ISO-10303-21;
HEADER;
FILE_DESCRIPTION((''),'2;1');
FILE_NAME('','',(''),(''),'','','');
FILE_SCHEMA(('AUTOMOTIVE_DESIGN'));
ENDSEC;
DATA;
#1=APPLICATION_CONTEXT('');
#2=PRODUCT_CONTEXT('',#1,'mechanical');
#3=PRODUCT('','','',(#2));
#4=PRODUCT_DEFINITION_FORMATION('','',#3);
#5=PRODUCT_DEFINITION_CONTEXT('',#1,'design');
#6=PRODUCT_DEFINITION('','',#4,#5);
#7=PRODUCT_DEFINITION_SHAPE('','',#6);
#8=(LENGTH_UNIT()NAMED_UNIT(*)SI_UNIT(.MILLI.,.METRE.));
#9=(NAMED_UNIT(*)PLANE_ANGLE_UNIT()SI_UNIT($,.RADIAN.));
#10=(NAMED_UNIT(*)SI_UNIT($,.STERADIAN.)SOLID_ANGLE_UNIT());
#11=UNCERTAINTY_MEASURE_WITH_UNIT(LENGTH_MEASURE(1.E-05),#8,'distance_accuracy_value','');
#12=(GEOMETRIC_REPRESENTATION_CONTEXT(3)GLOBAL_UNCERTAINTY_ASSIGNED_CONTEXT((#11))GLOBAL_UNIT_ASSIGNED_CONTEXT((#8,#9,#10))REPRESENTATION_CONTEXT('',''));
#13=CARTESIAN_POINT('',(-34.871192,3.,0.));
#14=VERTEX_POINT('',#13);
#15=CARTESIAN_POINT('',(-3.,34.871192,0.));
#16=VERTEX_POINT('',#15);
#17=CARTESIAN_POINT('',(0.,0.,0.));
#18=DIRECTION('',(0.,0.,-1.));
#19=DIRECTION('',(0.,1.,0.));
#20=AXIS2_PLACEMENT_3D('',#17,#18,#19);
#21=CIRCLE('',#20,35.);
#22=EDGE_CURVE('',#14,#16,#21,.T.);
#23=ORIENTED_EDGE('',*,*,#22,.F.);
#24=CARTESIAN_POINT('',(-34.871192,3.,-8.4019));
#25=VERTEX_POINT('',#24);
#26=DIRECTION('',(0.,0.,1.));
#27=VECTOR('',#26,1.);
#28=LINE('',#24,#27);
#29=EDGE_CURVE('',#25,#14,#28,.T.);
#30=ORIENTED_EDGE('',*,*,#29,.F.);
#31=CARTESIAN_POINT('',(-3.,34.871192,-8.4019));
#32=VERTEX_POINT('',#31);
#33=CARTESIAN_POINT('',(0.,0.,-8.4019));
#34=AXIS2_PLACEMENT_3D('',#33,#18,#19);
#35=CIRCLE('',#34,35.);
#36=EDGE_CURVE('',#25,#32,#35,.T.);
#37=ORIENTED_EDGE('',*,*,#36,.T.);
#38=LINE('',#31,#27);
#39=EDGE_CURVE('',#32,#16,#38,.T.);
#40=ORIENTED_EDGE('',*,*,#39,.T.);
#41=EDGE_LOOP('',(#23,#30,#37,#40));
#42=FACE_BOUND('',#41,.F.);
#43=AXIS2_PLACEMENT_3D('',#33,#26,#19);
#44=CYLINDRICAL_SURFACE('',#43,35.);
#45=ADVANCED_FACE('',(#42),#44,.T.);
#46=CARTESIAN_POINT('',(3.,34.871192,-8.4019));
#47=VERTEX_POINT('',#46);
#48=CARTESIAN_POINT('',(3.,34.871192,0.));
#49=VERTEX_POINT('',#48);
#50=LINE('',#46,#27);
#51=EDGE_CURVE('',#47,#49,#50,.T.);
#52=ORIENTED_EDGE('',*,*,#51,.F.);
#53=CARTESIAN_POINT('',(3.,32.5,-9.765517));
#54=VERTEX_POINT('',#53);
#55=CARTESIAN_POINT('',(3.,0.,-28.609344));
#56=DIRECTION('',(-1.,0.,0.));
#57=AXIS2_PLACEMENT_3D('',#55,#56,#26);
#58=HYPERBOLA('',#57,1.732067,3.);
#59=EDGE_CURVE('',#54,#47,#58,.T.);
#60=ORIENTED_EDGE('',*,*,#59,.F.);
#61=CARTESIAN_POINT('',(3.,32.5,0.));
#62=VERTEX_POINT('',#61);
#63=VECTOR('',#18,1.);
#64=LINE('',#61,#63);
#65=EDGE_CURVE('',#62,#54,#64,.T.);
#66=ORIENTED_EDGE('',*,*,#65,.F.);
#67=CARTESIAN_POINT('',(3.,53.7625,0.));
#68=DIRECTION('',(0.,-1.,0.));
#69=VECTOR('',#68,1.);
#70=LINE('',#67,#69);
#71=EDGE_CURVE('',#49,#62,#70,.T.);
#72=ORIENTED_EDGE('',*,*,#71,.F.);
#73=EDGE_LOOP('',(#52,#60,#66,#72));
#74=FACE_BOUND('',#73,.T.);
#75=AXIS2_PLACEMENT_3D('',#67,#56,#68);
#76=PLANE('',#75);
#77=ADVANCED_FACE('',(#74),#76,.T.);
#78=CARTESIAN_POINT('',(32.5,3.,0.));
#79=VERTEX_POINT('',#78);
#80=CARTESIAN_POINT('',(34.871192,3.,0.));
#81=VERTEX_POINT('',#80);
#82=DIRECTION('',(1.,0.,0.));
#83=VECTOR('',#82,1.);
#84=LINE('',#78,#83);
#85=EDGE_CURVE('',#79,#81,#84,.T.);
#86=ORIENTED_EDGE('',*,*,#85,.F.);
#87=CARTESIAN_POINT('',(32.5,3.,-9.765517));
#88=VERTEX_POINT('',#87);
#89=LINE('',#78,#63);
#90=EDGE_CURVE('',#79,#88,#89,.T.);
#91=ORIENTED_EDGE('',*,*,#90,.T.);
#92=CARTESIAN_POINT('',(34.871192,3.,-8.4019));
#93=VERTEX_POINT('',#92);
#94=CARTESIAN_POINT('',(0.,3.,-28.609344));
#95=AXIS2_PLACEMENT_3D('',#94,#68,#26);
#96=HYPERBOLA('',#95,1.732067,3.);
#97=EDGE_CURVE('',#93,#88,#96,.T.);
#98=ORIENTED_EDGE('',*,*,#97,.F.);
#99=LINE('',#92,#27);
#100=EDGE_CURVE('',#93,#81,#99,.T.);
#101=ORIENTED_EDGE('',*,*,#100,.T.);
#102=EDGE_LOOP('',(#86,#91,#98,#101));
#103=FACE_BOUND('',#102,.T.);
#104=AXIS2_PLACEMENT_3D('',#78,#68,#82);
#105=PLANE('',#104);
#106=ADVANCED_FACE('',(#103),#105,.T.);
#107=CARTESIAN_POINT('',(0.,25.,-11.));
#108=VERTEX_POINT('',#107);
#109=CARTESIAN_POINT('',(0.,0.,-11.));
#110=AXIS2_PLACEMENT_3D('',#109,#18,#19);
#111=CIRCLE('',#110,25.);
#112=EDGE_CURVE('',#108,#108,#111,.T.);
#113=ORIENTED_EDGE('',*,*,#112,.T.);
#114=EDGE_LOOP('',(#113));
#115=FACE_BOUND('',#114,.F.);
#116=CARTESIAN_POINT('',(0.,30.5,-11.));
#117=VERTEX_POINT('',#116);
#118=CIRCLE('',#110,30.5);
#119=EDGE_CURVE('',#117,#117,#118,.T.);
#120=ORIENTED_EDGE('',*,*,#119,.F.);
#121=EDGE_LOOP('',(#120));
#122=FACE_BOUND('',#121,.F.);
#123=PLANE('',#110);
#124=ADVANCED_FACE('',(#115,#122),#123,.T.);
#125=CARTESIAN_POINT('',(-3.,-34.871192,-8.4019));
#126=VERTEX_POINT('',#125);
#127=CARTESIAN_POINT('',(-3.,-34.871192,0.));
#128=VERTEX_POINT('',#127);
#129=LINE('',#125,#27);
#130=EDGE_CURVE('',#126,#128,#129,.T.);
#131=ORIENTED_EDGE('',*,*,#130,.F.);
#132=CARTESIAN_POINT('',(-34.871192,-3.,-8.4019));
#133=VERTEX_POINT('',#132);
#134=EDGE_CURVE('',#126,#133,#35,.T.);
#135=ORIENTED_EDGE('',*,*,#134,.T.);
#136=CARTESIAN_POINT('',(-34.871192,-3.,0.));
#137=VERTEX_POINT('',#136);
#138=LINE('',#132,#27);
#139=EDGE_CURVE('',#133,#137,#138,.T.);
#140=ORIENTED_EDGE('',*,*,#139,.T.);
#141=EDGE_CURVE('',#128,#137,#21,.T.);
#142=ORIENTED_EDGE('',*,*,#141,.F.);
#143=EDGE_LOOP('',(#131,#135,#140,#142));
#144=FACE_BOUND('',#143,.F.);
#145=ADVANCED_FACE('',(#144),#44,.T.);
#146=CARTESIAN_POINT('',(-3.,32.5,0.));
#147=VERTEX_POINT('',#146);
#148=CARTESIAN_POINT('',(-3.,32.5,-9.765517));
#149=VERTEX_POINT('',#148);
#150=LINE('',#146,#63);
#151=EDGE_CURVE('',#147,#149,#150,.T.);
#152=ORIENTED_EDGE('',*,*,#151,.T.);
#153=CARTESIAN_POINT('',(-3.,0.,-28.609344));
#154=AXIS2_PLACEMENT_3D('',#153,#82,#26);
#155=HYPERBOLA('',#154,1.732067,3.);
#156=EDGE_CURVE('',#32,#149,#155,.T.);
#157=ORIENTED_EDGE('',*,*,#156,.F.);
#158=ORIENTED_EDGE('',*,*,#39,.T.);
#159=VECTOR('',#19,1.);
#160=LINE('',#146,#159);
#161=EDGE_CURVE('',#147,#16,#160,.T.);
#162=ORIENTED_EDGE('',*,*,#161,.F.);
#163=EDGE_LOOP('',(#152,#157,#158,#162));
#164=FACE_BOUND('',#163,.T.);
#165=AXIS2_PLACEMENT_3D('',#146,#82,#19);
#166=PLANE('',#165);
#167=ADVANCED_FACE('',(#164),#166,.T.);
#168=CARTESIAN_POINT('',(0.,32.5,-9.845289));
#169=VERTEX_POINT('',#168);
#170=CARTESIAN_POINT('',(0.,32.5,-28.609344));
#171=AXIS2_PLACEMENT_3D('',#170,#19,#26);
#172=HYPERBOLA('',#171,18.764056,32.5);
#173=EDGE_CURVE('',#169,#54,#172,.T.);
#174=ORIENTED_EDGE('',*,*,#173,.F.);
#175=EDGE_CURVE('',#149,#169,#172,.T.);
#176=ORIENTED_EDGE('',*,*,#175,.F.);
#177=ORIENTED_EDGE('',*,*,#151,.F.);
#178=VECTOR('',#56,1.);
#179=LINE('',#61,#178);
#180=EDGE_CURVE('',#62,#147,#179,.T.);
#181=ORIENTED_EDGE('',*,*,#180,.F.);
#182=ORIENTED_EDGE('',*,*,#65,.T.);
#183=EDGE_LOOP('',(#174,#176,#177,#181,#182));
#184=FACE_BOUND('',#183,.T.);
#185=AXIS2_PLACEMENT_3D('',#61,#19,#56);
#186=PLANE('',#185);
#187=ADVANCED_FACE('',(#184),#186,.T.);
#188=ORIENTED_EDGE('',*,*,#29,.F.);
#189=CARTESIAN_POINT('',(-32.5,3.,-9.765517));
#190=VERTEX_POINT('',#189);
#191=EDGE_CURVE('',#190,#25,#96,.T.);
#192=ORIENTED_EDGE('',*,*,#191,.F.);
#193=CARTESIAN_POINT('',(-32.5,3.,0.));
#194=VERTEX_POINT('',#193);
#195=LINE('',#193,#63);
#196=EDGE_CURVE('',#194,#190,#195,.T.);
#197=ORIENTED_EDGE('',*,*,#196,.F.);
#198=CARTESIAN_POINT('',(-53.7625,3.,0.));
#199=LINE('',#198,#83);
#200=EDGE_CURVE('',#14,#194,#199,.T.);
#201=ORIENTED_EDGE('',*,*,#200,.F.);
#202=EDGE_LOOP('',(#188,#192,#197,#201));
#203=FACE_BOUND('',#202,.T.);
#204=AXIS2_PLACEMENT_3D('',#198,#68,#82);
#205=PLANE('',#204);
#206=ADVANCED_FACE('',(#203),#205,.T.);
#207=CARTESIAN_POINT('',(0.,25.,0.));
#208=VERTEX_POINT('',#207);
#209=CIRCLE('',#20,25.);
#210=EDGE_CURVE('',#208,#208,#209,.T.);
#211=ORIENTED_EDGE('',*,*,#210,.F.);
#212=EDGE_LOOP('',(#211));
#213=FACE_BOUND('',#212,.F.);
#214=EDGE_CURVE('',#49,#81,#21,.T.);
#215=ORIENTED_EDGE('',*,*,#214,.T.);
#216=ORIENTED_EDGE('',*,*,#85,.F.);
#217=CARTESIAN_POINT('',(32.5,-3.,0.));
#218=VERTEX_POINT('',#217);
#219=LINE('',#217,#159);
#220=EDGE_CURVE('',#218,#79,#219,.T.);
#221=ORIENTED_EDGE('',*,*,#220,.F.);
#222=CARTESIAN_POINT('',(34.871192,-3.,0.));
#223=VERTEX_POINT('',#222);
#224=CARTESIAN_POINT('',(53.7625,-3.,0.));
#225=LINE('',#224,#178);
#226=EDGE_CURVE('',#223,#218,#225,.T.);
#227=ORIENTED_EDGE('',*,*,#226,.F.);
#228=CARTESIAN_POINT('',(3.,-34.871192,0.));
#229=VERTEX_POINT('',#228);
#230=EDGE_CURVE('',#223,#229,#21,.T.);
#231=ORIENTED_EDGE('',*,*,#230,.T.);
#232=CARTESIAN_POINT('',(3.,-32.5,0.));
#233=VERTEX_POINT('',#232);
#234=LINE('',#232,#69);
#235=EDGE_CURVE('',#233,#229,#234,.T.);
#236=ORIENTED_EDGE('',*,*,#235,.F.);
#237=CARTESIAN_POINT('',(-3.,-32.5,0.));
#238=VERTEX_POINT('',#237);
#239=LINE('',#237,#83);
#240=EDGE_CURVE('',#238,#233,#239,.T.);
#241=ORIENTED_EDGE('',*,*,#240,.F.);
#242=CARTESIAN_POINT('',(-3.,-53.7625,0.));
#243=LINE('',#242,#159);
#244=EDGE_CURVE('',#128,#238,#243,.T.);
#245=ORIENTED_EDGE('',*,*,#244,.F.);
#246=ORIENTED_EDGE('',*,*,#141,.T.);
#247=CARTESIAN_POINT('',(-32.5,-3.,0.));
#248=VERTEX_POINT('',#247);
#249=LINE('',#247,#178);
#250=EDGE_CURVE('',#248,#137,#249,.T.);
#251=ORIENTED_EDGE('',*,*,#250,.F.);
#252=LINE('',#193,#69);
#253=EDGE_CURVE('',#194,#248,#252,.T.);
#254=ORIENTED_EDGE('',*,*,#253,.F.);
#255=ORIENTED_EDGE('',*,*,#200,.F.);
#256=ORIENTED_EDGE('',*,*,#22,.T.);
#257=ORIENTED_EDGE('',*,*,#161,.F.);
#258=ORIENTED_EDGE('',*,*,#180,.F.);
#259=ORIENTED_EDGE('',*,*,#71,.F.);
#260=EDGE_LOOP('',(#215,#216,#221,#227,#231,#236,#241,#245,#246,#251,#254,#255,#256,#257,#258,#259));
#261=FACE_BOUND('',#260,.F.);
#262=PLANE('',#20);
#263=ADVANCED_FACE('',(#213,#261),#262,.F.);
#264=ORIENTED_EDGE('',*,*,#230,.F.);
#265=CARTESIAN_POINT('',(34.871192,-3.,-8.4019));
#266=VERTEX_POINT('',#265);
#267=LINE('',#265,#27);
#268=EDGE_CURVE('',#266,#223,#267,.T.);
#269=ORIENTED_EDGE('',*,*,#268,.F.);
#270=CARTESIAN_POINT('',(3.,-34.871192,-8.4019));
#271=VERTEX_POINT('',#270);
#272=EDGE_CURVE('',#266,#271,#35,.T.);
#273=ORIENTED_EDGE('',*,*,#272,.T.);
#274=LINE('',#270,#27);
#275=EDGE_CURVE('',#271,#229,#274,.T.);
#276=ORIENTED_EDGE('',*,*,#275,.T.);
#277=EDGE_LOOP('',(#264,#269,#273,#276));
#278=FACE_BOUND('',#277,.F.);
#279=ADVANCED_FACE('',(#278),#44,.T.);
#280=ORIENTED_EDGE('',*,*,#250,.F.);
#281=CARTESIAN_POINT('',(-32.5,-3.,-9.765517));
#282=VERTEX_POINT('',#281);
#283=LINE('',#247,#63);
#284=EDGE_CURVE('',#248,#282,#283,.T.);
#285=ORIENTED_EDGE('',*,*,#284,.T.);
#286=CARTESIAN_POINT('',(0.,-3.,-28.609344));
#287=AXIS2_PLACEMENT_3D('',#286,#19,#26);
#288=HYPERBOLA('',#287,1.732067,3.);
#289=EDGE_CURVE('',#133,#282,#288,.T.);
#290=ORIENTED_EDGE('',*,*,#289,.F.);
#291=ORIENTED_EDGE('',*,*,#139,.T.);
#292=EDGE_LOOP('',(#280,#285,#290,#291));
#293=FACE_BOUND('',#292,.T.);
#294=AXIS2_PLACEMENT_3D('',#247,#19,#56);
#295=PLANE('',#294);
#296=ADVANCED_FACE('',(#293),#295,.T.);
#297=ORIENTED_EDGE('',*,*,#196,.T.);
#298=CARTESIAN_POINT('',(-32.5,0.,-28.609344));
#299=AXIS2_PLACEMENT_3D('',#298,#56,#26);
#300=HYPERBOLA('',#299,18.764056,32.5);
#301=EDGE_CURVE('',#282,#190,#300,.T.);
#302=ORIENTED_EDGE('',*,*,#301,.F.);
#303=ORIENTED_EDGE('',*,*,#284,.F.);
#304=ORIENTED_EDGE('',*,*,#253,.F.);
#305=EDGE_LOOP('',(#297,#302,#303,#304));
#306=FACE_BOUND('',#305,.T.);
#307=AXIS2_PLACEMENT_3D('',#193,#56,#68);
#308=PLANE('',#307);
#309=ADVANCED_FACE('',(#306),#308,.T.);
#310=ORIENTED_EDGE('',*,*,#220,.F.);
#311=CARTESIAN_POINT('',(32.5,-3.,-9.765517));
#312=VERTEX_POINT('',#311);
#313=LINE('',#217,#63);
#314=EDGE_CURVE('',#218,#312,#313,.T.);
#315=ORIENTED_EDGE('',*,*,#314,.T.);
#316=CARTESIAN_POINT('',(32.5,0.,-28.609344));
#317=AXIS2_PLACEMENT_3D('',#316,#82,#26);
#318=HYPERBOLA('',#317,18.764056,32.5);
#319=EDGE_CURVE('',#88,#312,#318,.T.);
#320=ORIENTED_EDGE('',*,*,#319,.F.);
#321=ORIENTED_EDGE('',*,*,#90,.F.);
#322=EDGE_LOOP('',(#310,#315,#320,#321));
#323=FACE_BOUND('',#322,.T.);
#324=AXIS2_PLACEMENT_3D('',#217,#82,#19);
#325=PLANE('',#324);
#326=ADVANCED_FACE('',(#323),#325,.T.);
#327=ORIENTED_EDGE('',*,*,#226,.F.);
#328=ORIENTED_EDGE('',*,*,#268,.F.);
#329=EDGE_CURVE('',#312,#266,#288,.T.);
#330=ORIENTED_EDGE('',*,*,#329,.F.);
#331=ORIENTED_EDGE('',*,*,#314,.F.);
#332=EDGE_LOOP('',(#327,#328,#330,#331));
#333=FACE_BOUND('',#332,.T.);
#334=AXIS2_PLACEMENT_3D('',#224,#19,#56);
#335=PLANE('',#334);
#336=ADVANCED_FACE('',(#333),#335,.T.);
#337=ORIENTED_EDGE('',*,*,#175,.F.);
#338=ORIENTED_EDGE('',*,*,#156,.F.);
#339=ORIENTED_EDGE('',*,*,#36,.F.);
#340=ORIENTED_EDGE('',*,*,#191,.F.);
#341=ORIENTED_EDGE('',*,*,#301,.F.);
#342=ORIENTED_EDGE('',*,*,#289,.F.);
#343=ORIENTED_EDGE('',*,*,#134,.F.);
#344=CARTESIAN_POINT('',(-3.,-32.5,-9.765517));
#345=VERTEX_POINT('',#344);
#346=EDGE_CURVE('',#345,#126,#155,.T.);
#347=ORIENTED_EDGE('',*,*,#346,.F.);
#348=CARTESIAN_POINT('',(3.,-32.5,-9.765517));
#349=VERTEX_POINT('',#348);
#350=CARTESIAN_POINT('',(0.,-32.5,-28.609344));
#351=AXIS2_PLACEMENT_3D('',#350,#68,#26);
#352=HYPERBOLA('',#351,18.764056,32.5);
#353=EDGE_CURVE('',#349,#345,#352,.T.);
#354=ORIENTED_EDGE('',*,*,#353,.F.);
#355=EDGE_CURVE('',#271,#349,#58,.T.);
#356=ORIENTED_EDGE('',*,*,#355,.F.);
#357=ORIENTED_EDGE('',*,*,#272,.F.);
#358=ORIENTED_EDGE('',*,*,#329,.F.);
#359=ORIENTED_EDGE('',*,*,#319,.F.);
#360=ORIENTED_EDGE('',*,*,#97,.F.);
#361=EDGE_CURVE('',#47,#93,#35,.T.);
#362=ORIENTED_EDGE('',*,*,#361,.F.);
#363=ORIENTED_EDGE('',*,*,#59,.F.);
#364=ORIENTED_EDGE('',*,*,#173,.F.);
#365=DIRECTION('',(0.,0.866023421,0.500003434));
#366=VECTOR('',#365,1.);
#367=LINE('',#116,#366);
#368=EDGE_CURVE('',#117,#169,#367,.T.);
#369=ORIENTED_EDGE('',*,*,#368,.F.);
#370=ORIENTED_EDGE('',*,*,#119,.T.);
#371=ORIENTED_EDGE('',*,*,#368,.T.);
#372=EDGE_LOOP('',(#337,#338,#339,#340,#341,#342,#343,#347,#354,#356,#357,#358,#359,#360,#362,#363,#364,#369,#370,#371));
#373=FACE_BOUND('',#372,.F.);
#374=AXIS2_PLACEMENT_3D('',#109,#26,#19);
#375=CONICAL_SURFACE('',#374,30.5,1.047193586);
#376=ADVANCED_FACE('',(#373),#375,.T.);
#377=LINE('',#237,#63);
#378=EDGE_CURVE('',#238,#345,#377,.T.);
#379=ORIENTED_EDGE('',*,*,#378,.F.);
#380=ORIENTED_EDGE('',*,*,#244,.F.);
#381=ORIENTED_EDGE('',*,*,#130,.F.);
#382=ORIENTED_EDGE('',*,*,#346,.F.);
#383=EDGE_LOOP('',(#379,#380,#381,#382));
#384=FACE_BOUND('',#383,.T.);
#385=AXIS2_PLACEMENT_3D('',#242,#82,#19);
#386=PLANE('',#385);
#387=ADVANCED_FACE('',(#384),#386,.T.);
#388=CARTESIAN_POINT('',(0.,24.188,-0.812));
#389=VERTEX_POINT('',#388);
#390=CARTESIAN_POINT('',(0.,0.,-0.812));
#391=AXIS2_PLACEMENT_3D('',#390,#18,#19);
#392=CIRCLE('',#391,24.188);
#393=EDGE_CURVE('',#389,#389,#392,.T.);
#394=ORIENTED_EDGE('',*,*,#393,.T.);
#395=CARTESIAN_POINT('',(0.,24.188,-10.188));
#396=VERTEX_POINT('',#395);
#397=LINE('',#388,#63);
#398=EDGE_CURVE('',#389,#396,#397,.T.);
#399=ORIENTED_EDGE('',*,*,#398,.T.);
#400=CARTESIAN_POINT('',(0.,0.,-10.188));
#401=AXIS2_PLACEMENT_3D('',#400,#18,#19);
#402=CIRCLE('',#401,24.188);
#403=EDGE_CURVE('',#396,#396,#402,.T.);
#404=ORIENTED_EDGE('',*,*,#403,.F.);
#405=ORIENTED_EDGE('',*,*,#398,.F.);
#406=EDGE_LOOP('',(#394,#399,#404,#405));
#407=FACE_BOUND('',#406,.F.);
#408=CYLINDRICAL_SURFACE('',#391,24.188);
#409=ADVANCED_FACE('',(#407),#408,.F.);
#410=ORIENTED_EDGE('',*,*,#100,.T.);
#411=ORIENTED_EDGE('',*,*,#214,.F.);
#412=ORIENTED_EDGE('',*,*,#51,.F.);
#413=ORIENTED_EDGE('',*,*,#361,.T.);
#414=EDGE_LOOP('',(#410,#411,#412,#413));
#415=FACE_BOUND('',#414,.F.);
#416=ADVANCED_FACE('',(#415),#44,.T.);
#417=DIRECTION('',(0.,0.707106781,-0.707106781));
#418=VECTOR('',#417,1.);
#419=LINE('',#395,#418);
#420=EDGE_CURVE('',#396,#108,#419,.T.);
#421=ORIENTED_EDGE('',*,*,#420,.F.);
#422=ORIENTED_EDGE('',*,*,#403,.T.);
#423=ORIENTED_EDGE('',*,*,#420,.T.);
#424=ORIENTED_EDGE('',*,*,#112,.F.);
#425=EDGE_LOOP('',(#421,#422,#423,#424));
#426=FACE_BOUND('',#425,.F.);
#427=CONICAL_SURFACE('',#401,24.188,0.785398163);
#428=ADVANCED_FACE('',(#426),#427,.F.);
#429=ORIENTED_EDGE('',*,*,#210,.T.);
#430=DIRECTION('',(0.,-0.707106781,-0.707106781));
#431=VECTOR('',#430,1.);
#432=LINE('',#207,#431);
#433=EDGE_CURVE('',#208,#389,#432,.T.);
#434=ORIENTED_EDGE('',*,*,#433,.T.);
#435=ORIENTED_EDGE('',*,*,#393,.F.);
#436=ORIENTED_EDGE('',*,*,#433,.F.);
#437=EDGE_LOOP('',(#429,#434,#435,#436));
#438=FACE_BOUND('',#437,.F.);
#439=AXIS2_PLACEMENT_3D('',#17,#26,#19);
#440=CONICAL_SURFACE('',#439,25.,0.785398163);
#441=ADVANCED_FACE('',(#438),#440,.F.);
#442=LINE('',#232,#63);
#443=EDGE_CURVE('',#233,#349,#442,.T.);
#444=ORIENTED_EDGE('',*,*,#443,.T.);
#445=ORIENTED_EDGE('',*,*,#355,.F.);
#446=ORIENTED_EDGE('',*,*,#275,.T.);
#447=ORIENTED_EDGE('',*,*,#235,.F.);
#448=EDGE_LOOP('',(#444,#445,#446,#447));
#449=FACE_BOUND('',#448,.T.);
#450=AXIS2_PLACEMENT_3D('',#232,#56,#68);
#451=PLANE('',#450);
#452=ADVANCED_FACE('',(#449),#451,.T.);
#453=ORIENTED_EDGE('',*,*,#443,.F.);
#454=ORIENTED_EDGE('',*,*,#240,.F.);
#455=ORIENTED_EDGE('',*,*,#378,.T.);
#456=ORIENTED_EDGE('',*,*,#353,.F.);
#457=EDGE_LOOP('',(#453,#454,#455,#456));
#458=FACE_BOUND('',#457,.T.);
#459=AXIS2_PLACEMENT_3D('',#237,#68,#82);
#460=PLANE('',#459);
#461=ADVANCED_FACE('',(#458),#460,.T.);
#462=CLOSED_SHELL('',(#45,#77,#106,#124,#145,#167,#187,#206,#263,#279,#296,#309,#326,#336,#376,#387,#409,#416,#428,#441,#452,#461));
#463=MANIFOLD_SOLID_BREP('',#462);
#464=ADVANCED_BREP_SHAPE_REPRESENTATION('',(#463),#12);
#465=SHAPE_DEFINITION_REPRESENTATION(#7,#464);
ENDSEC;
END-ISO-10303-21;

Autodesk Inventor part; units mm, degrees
sketch "Sketch_1" plane through (0, 0, 0) normal (1, 0, 0) x (0, 1, 0)
  line L0 (0, -11) -> (0, 0)
  line L1 (25, 0) -> (24.188, -0.812)
  line L2 (24.188, -0.812) -> (24.188, -10.188)
  line L3 (24.188, -10.188) -> (25, -11)
  line L4 (25, -11) -> (30.5, -11)
  line L5 (30.5, -11) -> (35, -8.4019)
  line L6 (35, -8.4019) -> (35, 0)
  line L7 (35, 0) -> (25, 0)
revolve "Revolution1" add sketch "Sketch_1" angle 360 about axis through (0, 0, -11) along (0, 0, -1)
thread "Thread1" size "M50x1.5" class "6H" standard "ISO Metric profile" full length
sketch "Sketch_2" plane through (0, 0, 0) normal (0, 0, 1) x (1, 0, 0)
  circle A0 centre (0, 0) radius 70
  arc A1 (-53.7625, -3) -> (-3, -53.7625) centre (0, 0) ccw
  line L0 (-3, -53.7625) -> (-3, -32.5)
  line L1 (-3, -32.5) -> (3, -32.5)
  line L2 (3, -32.5) -> (3, -53.7625)
  arc A2 (3, -53.7625) -> (53.7625, -3) centre (0, 0) ccw
  line L3 (53.7625, -3) -> (32.5, -3)
  line L4 (32.5, -3) -> (32.5, 3)
  line L5 (32.5, 3) -> (53.7625, 3)
  arc A3 (53.7625, 3) -> (3, 53.7625) centre (0, 0) ccw
  line L6 (3, 53.7625) -> (3, 32.5)
  line L7 (3, 32.5) -> (-3, 32.5)
  line L8 (-3, 32.5) -> (-3, 53.7625)
  arc A4 (-3, 53.7625) -> (-53.7625, 3) centre (0, 0) ccw
  line L9 (-53.7625, 3) -> (-32.5, 3)
  line L10 (-32.5, 3) -> (-32.5, -3)
  line L11 (-32.5, -3) -> (-53.7625, -3)
extrude "Extrusion1" cut sketch "Sketch_2" against normal blind 11
ref_plane "wash_to_nut_XY" through (0, 0, -11) normal (0, 0, 1) x (1, 0, 0)
ref_plane "wash_to_nut_YZ" through (0, 0, -11) normal (1, 0, 0) x (0, 1, 0)
ref_plane "wash_to_nut_ZX" through (0, 0, -11) normal (0, 1, 0) x (0, 0, 1)
properties part number "JLNSK50nut"
